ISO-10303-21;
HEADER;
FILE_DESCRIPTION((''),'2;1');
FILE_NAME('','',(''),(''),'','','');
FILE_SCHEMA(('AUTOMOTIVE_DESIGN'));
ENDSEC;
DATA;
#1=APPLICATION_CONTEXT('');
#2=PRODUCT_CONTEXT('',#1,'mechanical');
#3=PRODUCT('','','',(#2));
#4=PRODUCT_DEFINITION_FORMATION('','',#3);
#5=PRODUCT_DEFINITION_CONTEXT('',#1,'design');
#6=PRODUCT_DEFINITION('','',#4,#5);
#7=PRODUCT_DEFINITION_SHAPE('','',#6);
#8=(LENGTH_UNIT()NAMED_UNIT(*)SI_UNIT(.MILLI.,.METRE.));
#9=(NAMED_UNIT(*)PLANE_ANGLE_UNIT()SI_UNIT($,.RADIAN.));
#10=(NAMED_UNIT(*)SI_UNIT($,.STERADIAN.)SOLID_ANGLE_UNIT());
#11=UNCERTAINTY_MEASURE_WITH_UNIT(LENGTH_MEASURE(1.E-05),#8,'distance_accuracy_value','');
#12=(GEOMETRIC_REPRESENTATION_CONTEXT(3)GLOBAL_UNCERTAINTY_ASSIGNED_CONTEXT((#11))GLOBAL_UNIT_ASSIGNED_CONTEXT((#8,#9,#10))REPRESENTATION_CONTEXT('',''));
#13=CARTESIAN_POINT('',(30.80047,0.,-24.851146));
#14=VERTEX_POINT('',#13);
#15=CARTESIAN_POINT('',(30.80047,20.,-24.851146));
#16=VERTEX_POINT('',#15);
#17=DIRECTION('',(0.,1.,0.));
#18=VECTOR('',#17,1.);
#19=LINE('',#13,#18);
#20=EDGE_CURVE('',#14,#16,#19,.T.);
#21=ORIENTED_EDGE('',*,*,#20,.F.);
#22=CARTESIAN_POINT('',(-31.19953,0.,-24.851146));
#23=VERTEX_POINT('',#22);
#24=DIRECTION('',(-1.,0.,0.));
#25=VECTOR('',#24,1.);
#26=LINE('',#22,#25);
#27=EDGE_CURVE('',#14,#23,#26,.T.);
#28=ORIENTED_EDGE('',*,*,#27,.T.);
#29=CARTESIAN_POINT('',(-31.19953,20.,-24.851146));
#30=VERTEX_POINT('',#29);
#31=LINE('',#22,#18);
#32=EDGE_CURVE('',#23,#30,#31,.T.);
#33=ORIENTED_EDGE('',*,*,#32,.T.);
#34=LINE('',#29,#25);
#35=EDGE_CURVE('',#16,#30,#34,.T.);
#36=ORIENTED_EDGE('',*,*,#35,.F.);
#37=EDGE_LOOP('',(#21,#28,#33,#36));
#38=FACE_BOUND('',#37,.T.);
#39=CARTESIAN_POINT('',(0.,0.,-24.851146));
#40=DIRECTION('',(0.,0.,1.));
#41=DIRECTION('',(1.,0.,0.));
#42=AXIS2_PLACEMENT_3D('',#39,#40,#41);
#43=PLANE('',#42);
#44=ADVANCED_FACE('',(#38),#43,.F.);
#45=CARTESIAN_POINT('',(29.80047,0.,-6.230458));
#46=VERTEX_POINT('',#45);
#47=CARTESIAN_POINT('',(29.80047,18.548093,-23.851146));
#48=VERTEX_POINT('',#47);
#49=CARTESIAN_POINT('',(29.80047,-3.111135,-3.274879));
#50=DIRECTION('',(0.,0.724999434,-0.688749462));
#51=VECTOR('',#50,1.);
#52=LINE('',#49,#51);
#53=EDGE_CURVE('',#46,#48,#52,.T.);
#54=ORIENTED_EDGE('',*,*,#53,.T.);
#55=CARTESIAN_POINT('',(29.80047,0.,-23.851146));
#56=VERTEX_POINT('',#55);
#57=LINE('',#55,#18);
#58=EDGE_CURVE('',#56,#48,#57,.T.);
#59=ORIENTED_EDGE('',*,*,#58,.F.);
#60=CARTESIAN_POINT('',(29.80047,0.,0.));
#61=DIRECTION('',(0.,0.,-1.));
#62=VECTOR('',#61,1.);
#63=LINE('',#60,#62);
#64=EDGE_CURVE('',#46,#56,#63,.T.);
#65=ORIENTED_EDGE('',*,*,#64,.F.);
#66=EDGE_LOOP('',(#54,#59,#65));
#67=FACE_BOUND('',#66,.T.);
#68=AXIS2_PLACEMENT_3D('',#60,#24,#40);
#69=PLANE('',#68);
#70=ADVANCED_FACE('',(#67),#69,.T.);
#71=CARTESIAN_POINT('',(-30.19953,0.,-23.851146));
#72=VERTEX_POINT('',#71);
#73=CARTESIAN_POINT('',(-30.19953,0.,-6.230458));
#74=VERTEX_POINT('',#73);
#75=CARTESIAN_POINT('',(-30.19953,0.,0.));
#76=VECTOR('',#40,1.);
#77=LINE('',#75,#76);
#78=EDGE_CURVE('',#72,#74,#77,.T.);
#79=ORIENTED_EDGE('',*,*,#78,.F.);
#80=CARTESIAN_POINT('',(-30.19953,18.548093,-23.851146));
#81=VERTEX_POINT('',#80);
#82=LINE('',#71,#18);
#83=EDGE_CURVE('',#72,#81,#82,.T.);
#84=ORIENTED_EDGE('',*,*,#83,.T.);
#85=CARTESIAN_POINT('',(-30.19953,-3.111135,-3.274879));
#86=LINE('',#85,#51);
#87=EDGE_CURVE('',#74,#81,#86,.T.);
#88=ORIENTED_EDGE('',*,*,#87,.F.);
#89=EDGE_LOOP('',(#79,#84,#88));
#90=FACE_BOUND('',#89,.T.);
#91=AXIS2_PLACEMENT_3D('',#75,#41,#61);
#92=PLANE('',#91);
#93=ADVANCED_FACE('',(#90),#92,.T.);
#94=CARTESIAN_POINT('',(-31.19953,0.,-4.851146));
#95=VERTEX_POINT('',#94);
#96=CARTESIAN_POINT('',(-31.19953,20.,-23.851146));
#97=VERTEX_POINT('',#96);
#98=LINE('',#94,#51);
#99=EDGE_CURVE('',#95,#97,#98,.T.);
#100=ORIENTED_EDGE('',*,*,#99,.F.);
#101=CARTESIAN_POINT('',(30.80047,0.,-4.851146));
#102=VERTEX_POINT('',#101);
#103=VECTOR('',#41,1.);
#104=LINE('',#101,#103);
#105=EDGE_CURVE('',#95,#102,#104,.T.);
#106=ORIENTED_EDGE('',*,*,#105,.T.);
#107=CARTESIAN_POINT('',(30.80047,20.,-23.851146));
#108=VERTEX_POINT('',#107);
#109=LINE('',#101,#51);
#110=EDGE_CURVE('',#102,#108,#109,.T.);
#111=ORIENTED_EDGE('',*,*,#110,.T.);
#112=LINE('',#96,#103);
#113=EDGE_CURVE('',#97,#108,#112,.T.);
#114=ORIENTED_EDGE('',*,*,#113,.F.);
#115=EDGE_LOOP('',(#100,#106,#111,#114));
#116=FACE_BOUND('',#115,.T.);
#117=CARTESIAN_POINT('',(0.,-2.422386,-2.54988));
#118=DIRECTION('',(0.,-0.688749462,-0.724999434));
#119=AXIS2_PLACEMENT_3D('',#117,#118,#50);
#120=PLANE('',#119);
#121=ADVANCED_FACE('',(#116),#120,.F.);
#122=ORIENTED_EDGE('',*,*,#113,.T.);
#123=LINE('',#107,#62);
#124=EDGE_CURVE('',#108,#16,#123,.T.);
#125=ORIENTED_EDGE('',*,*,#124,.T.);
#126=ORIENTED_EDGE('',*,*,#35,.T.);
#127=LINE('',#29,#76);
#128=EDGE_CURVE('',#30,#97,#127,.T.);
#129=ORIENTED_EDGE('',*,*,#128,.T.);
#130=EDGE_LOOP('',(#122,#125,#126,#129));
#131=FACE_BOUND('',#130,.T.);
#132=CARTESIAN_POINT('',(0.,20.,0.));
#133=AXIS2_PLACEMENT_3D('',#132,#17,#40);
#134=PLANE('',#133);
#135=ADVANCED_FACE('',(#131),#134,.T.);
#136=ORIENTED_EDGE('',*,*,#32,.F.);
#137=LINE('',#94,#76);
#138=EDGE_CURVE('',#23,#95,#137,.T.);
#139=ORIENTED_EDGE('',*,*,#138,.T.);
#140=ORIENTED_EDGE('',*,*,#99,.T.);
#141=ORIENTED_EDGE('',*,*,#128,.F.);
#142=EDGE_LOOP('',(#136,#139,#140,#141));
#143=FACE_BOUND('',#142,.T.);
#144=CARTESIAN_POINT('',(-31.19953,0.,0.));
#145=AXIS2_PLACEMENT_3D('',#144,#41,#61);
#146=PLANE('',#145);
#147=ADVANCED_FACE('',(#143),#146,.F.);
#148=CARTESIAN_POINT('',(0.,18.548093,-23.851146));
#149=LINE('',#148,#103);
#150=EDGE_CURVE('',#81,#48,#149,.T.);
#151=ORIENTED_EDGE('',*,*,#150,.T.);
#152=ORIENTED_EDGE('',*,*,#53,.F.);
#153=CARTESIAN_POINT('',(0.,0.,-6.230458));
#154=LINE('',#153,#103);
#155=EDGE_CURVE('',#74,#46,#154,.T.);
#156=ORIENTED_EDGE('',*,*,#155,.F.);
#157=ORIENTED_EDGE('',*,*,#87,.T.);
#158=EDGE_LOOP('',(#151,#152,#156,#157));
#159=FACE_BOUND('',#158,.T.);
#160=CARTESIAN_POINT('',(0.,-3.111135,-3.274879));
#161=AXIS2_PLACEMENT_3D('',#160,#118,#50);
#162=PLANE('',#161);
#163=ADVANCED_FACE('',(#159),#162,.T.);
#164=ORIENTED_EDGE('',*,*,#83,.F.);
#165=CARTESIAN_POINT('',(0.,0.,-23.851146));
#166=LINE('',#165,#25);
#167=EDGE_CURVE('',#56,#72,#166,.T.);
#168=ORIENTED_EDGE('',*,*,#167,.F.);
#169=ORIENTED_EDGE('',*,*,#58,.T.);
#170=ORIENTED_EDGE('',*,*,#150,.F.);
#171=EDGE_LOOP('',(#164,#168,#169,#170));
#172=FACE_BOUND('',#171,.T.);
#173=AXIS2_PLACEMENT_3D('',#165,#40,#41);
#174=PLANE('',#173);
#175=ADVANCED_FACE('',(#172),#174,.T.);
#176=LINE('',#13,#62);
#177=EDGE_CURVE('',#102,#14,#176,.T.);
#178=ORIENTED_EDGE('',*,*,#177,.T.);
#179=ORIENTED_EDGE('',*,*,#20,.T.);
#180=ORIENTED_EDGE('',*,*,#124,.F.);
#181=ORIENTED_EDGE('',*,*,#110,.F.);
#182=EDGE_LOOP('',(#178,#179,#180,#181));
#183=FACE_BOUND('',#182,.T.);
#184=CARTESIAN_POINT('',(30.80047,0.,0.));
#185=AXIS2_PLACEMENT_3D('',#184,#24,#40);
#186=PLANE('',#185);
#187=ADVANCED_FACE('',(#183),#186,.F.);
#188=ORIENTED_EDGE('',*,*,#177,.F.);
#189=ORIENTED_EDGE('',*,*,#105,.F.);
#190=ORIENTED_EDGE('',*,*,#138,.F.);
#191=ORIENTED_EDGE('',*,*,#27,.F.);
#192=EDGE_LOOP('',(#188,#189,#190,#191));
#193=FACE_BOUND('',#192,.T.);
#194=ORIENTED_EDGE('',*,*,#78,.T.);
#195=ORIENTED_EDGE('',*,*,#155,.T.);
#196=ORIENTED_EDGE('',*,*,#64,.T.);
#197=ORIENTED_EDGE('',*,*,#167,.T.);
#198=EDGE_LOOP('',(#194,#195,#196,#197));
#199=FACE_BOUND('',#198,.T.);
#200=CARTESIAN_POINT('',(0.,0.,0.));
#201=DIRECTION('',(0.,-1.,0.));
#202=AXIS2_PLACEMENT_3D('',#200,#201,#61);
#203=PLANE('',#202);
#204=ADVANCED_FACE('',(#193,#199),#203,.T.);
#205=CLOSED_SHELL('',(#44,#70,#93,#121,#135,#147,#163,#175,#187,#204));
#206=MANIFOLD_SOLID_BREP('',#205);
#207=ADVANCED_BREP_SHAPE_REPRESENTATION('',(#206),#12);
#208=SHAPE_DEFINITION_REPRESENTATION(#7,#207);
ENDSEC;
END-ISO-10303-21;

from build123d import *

# Parameters (mm, degrees)
SHELL1_T = -1


with BuildPart() as part:
    # Sketch1 → Loft2 section 0
    with BuildSketch(Plane(origin=(0, 0, 0), x_dir=(1, 0, 0), z_dir=(0, 1, 0))):
        with BuildLine():
            Line((-31.199529688, 24.851146384), (30.800470312, 24.851146384))
            Line((30.800470312, 24.851146384), (30.800470312, 4.851146384))
            Line((30.800470312, 4.851146384), (-31.199529688, 4.851146384))
            Line((-31.199529688, 4.851146384), (-31.199529688, 24.851146384))
        make_face()
    # Sketch2 → Loft2 section 1
    with BuildSketch(Plane(origin=(0, 20, 0), x_dir=(1, 0, 0), z_dir=(0, 1, 0))):
        with BuildLine():
            Line((-31.199529688, 24.851146384), (30.800470312, 24.851146384))
            Line((30.800470312, 24.851146384), (30.800470312, 23.851146384))
            Line((30.800470312, 23.851146384), (-31.199529688, 23.851146384))
            Line((-31.199529688, 23.851146384), (-31.199529688, 24.851146384))
        make_face()
    loft()

    # Shell1
    shell1_openings = [part.faces().sort_by_distance(p)[0] for p in [
        (-0.199529688, 0, -14.851146384),
    ]]
    offset(amount=SHELL1_T, openings=shell1_openings, kind=Kind.INTERSECTION)


solid = part.part
